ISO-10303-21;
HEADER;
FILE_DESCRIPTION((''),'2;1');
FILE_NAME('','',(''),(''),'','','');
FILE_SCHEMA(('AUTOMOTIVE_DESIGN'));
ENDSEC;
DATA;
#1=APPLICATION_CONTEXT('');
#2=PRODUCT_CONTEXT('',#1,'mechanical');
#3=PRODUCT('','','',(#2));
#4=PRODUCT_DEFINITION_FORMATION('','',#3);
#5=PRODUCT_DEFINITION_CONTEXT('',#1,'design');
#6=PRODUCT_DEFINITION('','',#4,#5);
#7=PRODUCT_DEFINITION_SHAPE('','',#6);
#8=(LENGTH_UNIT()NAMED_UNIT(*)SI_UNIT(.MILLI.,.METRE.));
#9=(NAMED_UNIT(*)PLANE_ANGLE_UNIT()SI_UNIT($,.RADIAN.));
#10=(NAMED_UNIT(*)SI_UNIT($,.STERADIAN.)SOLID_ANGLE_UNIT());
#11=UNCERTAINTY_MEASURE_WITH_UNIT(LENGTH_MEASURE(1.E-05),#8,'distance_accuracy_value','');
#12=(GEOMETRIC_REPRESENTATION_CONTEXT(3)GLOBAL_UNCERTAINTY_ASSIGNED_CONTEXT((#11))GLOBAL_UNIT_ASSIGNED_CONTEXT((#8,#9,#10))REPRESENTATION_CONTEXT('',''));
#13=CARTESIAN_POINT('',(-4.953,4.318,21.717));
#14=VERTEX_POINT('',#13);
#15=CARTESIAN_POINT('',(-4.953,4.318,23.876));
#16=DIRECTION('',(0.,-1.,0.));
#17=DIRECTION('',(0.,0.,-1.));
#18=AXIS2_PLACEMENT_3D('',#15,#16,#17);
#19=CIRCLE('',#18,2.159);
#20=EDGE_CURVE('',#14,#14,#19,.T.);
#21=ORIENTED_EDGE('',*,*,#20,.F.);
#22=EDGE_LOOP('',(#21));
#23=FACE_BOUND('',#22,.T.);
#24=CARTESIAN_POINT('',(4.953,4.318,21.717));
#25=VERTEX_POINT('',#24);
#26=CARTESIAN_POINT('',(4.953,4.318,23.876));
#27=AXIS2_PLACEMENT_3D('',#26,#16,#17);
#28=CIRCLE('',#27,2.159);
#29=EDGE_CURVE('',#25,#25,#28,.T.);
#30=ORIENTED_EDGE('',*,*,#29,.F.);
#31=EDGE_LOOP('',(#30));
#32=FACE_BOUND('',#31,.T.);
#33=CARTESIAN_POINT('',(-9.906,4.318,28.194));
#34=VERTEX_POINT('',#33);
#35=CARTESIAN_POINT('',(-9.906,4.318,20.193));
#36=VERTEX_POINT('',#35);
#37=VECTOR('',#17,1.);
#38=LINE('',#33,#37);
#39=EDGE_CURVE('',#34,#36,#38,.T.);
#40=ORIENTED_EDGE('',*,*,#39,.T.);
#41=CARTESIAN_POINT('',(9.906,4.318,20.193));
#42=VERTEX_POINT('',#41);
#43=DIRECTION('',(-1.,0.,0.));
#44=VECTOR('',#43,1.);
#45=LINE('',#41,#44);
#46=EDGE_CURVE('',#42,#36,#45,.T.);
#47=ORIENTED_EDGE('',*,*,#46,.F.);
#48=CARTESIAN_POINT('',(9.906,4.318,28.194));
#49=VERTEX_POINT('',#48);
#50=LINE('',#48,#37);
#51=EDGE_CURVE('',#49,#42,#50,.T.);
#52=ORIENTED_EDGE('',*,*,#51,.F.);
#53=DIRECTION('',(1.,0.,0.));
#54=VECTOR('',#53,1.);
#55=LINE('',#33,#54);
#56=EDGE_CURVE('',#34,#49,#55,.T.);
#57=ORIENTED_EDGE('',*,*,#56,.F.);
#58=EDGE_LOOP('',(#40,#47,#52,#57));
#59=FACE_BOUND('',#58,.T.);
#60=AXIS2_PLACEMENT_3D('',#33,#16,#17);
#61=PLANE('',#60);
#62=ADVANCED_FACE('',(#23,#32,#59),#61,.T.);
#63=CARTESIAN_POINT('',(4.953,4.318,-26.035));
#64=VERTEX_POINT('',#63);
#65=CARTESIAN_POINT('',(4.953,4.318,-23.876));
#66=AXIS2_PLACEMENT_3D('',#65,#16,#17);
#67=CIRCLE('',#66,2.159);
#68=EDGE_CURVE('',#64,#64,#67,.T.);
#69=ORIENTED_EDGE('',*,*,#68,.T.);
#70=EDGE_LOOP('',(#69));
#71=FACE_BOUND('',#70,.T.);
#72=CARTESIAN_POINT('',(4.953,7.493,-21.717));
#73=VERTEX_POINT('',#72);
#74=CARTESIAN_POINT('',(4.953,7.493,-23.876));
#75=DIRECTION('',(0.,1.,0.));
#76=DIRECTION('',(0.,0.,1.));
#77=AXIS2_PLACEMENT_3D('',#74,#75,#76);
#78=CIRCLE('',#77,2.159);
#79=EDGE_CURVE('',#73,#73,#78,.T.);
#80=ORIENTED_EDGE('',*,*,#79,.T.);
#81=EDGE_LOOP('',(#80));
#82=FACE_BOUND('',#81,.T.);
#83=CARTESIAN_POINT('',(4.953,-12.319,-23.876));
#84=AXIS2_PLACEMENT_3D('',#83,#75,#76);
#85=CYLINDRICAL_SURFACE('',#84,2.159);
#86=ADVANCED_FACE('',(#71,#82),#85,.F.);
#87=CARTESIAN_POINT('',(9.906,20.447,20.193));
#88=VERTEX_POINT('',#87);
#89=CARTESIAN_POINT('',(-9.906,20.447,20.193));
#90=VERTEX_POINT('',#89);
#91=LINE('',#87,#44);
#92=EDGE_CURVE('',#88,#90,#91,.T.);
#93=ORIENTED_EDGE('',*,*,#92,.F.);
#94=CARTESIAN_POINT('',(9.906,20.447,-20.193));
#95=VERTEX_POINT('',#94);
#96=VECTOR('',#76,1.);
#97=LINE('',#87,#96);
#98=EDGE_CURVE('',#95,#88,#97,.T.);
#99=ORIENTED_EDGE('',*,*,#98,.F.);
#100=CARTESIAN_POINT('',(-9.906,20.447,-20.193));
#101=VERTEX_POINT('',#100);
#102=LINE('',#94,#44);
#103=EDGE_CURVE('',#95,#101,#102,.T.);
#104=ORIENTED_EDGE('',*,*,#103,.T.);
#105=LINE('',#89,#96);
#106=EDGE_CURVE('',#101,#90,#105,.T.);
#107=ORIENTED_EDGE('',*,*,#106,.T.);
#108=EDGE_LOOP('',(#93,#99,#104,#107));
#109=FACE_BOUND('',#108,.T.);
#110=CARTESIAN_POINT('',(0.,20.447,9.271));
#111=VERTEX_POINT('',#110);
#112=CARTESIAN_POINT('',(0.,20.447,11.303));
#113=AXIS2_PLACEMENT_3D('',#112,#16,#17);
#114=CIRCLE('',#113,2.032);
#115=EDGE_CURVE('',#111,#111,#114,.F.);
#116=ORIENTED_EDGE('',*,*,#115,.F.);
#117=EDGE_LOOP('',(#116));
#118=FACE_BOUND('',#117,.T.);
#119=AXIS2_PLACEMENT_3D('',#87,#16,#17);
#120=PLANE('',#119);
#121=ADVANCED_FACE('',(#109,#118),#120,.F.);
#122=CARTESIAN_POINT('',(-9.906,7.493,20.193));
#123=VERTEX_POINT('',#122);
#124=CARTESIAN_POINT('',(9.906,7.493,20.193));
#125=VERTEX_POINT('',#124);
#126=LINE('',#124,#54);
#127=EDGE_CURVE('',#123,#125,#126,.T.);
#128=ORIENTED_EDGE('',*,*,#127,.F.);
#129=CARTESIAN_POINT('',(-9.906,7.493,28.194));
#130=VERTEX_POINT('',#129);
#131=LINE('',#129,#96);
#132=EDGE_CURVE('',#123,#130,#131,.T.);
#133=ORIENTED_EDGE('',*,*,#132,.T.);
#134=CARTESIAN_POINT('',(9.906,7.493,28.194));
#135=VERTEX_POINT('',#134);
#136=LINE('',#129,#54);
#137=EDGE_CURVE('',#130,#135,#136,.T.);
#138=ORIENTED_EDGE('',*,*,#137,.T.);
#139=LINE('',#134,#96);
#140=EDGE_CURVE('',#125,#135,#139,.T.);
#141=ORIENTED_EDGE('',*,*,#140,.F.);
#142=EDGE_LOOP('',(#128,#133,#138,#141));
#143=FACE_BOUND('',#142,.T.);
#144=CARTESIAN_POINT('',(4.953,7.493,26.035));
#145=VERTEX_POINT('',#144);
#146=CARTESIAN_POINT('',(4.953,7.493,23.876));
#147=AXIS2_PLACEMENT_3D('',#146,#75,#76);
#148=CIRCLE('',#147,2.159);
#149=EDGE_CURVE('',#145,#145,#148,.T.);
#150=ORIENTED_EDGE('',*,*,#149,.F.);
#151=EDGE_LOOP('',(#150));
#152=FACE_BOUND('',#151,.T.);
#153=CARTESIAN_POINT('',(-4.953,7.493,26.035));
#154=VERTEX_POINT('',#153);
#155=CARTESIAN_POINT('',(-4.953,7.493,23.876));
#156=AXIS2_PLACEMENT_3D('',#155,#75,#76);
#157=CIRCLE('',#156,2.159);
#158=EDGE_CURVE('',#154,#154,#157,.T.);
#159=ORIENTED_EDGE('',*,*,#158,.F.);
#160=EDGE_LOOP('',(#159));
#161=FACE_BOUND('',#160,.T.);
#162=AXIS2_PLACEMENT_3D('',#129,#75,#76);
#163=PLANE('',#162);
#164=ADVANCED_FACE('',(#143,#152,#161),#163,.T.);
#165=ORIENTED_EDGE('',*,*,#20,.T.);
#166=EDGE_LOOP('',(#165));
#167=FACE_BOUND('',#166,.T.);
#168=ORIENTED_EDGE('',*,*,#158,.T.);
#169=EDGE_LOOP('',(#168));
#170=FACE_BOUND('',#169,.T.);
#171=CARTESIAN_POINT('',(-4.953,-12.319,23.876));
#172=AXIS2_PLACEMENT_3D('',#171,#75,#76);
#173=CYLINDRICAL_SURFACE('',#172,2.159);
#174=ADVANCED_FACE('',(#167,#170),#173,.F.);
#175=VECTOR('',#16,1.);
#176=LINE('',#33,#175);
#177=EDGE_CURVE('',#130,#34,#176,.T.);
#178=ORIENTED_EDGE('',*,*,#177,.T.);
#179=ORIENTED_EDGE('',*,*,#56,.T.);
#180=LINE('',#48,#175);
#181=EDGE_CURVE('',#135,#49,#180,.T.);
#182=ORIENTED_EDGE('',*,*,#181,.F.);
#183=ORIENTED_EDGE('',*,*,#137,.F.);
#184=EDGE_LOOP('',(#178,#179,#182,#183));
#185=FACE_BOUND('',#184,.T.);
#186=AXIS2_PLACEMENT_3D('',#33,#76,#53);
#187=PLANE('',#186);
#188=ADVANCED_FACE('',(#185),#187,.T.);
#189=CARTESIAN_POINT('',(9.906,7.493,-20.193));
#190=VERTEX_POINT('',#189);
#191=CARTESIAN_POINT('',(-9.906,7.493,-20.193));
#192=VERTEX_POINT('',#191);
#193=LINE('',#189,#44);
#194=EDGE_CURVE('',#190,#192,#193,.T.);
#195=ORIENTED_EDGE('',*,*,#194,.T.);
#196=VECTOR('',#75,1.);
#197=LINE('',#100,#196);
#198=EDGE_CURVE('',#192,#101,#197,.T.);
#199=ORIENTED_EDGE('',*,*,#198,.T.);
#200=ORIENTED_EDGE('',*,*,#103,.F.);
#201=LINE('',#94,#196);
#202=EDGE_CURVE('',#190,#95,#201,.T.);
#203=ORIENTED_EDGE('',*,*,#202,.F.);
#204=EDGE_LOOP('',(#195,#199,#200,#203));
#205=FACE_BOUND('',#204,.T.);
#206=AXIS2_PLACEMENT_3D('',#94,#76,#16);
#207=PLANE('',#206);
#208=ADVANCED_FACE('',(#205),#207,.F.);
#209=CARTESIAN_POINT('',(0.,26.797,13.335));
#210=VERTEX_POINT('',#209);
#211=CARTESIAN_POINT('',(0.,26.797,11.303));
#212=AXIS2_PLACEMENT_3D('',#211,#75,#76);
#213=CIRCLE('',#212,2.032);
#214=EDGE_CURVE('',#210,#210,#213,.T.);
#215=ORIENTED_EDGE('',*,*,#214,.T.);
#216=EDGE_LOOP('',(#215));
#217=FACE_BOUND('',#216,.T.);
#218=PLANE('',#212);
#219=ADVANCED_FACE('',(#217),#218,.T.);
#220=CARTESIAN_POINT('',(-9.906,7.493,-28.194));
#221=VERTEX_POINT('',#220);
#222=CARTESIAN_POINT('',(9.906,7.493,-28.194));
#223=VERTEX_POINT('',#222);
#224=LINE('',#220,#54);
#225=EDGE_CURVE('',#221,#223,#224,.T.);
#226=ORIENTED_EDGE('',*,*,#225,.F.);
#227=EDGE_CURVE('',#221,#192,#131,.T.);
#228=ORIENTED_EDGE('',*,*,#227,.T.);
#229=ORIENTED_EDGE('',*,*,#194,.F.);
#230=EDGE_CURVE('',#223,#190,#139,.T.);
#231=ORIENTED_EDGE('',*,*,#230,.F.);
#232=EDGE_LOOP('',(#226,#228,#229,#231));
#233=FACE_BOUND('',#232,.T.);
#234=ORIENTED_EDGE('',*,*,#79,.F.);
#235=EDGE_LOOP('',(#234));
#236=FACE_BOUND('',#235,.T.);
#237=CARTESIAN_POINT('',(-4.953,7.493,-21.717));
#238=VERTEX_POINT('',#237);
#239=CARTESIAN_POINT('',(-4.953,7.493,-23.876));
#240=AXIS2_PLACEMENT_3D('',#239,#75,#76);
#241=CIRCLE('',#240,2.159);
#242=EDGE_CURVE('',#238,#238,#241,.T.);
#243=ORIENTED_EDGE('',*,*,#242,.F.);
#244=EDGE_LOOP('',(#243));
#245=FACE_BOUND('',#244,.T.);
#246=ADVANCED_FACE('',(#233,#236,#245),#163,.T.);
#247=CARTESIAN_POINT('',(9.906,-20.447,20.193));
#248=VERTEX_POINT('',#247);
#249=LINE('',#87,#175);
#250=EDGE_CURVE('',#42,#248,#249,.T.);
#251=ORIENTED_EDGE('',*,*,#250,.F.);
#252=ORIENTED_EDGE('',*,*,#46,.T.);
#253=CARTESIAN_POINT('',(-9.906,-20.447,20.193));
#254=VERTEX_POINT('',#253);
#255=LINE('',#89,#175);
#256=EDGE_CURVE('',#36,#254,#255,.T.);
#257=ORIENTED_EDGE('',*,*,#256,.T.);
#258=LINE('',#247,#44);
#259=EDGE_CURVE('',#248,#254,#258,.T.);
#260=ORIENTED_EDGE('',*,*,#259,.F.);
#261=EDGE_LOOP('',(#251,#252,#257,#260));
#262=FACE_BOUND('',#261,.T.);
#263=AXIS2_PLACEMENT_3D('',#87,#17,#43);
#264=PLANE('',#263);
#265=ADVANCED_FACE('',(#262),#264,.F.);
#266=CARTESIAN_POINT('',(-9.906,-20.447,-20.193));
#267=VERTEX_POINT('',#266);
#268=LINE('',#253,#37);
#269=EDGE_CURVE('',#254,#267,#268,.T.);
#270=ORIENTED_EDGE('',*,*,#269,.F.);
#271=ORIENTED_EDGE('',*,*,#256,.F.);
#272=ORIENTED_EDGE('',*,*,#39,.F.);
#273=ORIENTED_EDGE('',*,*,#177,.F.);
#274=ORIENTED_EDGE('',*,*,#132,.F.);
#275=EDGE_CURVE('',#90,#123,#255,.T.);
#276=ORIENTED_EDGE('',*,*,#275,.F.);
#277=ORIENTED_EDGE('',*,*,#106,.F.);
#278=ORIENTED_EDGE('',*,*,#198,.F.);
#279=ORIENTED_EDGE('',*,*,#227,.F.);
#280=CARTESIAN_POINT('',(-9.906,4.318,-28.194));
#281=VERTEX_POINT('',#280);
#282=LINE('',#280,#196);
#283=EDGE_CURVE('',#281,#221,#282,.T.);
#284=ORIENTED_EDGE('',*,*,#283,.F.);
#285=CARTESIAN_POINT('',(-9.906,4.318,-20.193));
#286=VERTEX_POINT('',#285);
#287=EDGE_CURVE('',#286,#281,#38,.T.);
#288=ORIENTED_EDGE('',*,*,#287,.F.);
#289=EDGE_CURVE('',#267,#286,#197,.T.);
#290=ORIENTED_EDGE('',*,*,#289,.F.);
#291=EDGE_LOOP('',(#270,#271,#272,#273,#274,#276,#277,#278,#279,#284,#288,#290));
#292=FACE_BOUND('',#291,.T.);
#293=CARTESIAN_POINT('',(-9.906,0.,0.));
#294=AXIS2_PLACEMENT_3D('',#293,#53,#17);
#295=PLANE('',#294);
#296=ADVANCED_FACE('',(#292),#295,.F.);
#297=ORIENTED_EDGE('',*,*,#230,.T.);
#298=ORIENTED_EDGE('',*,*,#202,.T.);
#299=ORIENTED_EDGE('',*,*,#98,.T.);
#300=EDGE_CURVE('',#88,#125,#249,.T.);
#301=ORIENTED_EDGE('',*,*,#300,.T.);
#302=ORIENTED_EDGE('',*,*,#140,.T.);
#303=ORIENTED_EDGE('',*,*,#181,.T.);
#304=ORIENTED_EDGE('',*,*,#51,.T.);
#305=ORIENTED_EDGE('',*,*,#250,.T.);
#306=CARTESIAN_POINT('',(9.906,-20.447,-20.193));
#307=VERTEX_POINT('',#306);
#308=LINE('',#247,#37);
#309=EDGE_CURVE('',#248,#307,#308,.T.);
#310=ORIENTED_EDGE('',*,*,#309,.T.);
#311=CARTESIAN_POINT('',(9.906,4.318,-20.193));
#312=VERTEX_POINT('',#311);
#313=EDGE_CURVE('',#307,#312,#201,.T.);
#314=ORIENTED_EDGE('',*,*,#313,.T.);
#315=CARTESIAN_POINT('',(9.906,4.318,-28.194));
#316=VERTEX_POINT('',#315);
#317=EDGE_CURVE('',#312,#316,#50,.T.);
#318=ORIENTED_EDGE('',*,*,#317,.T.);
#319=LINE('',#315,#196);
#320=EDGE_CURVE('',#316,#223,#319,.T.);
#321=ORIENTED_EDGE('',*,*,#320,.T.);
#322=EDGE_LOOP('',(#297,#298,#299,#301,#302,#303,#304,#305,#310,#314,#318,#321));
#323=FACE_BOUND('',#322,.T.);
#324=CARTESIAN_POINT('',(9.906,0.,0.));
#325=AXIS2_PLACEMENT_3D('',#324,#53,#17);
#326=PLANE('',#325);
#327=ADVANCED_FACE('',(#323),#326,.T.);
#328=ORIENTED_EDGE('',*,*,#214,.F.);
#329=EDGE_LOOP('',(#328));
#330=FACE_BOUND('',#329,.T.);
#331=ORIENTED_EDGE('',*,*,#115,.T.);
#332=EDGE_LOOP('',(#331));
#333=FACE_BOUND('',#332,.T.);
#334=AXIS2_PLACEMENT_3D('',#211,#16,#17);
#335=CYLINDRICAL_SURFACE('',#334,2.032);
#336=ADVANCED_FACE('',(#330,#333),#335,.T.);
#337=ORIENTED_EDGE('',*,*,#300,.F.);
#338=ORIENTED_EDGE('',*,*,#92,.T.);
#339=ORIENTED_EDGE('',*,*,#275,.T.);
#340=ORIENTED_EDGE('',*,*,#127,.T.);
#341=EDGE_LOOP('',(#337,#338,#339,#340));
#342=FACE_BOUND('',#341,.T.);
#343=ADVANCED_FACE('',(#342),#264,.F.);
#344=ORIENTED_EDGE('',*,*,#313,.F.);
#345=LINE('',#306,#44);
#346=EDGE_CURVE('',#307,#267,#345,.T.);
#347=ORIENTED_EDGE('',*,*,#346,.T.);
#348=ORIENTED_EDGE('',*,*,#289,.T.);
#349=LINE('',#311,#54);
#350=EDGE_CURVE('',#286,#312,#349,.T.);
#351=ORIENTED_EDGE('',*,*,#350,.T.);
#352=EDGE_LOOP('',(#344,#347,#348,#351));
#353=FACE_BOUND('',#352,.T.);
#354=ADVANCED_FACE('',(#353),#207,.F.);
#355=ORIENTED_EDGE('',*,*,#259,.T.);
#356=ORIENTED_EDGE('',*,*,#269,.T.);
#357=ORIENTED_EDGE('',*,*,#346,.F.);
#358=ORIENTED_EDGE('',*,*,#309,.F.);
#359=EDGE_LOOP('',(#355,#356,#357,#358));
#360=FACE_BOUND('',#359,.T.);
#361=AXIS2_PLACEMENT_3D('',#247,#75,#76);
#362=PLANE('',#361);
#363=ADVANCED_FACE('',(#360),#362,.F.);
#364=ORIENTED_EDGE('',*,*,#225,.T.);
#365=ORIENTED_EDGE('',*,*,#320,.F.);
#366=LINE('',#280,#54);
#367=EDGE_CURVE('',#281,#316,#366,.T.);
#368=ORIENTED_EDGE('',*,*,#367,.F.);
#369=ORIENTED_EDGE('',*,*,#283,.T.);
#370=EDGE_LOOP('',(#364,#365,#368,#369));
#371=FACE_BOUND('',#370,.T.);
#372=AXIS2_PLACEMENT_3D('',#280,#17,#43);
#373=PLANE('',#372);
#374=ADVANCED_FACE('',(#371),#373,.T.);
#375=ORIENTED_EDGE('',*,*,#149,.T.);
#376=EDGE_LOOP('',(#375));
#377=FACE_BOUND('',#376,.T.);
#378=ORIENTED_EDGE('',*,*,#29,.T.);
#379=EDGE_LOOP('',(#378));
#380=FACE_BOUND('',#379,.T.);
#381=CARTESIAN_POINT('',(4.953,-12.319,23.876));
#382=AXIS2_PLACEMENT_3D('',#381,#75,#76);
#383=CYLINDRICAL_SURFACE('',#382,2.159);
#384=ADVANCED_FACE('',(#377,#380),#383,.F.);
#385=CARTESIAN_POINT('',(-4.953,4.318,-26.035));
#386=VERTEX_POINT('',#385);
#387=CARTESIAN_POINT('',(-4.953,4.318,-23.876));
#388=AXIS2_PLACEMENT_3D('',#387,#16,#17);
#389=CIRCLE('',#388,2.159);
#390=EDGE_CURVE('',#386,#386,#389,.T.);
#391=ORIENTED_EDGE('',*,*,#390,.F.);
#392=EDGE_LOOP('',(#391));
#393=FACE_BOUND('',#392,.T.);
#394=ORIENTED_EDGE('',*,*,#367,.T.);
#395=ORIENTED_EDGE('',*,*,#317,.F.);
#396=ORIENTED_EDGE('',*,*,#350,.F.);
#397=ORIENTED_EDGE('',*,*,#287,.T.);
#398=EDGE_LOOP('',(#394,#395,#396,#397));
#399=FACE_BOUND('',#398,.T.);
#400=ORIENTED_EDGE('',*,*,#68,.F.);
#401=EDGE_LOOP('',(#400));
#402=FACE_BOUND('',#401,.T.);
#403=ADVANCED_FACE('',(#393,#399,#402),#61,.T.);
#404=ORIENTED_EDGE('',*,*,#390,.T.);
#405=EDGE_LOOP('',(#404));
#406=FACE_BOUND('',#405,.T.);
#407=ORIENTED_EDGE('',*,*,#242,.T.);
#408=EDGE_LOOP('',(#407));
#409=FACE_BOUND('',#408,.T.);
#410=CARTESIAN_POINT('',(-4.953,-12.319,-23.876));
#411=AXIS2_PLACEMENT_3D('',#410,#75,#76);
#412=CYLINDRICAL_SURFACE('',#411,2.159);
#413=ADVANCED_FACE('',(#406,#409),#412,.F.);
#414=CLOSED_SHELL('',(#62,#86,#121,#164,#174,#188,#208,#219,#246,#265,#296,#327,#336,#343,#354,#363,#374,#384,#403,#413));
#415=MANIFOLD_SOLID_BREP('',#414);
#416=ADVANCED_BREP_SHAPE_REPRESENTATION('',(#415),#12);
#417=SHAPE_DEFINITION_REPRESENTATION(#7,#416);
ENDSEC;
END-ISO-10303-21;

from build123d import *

# Parameters (mm, degrees)
SKETCH1_W           = 40.386
SKETCH1_H           = 40.894
BOSS_EXTRUDE1_DEPTH = 9.906
SKETCH2_W           = 56.388
SKETCH2_H           = 3.175
BOSS_EXTRUDE2_DEPTH = 19.812
SKETCH3_R           = 2.159
CUT_EXTRUDE1_DEPTH  = 19.812
SKETCH4_R           = 2.032
BOSS_EXTRUDE3_DEPTH = 6.35


with BuildPart() as part:
    # Sketch1 → Boss-Extrude1 (new, symmetric)
    with BuildSketch(Plane(origin=(0, 0, 0), x_dir=(0, 0, -1), z_dir=(1, 0, 0))):
        Rectangle(SKETCH1_W, SKETCH1_H)
    extrude(amount=BOSS_EXTRUDE1_DEPTH, both=True)

    # Sketch2 → Boss-Extrude2 (add, through all)
    with BuildSketch(Plane(origin=(9.906, 0, 0), x_dir=(0, 0, -1), z_dir=(1, 0, 0))):
        with Locations((0, 5.9055)):
            Rectangle(SKETCH2_W, SKETCH2_H)
    extrude(amount=-BOSS_EXTRUDE2_DEPTH)

    # Sketch3 → Cut-Extrude1 (cut)
    with BuildSketch(Plane(origin=(0, 7.493, 0), x_dir=(1, 0, 0), z_dir=(0, 1, 0))):
        with Locations(Location((-4.953, 23.876, 0), (0, 0, 270))):
            Circle(SKETCH3_R)
        with Locations(Location((4.953, 23.876, 0), (0, 0, 270))):
            Circle(SKETCH3_R)
        with Locations(Location((4.953, -23.876, 0), (0, 0, 270))):
            Circle(SKETCH3_R)
        with Locations(Location((-4.953, -23.876, 0), (0, 0, 270))):
            Circle(SKETCH3_R)
    extrude(amount=-CUT_EXTRUDE1_DEPTH, mode=Mode.SUBTRACT)

    # Sketch4 → Boss-Extrude3 (add)
    with BuildSketch(Plane(origin=(0, 20.447, 0), x_dir=(1, 0, 0), z_dir=(0, 1, 0))):
        with Locations(Location((0, -11.303, 0), (0, 0, 90))):
            Circle(SKETCH4_R)
    extrude(amount=BOSS_EXTRUDE3_DEPTH)


solid = part.part
